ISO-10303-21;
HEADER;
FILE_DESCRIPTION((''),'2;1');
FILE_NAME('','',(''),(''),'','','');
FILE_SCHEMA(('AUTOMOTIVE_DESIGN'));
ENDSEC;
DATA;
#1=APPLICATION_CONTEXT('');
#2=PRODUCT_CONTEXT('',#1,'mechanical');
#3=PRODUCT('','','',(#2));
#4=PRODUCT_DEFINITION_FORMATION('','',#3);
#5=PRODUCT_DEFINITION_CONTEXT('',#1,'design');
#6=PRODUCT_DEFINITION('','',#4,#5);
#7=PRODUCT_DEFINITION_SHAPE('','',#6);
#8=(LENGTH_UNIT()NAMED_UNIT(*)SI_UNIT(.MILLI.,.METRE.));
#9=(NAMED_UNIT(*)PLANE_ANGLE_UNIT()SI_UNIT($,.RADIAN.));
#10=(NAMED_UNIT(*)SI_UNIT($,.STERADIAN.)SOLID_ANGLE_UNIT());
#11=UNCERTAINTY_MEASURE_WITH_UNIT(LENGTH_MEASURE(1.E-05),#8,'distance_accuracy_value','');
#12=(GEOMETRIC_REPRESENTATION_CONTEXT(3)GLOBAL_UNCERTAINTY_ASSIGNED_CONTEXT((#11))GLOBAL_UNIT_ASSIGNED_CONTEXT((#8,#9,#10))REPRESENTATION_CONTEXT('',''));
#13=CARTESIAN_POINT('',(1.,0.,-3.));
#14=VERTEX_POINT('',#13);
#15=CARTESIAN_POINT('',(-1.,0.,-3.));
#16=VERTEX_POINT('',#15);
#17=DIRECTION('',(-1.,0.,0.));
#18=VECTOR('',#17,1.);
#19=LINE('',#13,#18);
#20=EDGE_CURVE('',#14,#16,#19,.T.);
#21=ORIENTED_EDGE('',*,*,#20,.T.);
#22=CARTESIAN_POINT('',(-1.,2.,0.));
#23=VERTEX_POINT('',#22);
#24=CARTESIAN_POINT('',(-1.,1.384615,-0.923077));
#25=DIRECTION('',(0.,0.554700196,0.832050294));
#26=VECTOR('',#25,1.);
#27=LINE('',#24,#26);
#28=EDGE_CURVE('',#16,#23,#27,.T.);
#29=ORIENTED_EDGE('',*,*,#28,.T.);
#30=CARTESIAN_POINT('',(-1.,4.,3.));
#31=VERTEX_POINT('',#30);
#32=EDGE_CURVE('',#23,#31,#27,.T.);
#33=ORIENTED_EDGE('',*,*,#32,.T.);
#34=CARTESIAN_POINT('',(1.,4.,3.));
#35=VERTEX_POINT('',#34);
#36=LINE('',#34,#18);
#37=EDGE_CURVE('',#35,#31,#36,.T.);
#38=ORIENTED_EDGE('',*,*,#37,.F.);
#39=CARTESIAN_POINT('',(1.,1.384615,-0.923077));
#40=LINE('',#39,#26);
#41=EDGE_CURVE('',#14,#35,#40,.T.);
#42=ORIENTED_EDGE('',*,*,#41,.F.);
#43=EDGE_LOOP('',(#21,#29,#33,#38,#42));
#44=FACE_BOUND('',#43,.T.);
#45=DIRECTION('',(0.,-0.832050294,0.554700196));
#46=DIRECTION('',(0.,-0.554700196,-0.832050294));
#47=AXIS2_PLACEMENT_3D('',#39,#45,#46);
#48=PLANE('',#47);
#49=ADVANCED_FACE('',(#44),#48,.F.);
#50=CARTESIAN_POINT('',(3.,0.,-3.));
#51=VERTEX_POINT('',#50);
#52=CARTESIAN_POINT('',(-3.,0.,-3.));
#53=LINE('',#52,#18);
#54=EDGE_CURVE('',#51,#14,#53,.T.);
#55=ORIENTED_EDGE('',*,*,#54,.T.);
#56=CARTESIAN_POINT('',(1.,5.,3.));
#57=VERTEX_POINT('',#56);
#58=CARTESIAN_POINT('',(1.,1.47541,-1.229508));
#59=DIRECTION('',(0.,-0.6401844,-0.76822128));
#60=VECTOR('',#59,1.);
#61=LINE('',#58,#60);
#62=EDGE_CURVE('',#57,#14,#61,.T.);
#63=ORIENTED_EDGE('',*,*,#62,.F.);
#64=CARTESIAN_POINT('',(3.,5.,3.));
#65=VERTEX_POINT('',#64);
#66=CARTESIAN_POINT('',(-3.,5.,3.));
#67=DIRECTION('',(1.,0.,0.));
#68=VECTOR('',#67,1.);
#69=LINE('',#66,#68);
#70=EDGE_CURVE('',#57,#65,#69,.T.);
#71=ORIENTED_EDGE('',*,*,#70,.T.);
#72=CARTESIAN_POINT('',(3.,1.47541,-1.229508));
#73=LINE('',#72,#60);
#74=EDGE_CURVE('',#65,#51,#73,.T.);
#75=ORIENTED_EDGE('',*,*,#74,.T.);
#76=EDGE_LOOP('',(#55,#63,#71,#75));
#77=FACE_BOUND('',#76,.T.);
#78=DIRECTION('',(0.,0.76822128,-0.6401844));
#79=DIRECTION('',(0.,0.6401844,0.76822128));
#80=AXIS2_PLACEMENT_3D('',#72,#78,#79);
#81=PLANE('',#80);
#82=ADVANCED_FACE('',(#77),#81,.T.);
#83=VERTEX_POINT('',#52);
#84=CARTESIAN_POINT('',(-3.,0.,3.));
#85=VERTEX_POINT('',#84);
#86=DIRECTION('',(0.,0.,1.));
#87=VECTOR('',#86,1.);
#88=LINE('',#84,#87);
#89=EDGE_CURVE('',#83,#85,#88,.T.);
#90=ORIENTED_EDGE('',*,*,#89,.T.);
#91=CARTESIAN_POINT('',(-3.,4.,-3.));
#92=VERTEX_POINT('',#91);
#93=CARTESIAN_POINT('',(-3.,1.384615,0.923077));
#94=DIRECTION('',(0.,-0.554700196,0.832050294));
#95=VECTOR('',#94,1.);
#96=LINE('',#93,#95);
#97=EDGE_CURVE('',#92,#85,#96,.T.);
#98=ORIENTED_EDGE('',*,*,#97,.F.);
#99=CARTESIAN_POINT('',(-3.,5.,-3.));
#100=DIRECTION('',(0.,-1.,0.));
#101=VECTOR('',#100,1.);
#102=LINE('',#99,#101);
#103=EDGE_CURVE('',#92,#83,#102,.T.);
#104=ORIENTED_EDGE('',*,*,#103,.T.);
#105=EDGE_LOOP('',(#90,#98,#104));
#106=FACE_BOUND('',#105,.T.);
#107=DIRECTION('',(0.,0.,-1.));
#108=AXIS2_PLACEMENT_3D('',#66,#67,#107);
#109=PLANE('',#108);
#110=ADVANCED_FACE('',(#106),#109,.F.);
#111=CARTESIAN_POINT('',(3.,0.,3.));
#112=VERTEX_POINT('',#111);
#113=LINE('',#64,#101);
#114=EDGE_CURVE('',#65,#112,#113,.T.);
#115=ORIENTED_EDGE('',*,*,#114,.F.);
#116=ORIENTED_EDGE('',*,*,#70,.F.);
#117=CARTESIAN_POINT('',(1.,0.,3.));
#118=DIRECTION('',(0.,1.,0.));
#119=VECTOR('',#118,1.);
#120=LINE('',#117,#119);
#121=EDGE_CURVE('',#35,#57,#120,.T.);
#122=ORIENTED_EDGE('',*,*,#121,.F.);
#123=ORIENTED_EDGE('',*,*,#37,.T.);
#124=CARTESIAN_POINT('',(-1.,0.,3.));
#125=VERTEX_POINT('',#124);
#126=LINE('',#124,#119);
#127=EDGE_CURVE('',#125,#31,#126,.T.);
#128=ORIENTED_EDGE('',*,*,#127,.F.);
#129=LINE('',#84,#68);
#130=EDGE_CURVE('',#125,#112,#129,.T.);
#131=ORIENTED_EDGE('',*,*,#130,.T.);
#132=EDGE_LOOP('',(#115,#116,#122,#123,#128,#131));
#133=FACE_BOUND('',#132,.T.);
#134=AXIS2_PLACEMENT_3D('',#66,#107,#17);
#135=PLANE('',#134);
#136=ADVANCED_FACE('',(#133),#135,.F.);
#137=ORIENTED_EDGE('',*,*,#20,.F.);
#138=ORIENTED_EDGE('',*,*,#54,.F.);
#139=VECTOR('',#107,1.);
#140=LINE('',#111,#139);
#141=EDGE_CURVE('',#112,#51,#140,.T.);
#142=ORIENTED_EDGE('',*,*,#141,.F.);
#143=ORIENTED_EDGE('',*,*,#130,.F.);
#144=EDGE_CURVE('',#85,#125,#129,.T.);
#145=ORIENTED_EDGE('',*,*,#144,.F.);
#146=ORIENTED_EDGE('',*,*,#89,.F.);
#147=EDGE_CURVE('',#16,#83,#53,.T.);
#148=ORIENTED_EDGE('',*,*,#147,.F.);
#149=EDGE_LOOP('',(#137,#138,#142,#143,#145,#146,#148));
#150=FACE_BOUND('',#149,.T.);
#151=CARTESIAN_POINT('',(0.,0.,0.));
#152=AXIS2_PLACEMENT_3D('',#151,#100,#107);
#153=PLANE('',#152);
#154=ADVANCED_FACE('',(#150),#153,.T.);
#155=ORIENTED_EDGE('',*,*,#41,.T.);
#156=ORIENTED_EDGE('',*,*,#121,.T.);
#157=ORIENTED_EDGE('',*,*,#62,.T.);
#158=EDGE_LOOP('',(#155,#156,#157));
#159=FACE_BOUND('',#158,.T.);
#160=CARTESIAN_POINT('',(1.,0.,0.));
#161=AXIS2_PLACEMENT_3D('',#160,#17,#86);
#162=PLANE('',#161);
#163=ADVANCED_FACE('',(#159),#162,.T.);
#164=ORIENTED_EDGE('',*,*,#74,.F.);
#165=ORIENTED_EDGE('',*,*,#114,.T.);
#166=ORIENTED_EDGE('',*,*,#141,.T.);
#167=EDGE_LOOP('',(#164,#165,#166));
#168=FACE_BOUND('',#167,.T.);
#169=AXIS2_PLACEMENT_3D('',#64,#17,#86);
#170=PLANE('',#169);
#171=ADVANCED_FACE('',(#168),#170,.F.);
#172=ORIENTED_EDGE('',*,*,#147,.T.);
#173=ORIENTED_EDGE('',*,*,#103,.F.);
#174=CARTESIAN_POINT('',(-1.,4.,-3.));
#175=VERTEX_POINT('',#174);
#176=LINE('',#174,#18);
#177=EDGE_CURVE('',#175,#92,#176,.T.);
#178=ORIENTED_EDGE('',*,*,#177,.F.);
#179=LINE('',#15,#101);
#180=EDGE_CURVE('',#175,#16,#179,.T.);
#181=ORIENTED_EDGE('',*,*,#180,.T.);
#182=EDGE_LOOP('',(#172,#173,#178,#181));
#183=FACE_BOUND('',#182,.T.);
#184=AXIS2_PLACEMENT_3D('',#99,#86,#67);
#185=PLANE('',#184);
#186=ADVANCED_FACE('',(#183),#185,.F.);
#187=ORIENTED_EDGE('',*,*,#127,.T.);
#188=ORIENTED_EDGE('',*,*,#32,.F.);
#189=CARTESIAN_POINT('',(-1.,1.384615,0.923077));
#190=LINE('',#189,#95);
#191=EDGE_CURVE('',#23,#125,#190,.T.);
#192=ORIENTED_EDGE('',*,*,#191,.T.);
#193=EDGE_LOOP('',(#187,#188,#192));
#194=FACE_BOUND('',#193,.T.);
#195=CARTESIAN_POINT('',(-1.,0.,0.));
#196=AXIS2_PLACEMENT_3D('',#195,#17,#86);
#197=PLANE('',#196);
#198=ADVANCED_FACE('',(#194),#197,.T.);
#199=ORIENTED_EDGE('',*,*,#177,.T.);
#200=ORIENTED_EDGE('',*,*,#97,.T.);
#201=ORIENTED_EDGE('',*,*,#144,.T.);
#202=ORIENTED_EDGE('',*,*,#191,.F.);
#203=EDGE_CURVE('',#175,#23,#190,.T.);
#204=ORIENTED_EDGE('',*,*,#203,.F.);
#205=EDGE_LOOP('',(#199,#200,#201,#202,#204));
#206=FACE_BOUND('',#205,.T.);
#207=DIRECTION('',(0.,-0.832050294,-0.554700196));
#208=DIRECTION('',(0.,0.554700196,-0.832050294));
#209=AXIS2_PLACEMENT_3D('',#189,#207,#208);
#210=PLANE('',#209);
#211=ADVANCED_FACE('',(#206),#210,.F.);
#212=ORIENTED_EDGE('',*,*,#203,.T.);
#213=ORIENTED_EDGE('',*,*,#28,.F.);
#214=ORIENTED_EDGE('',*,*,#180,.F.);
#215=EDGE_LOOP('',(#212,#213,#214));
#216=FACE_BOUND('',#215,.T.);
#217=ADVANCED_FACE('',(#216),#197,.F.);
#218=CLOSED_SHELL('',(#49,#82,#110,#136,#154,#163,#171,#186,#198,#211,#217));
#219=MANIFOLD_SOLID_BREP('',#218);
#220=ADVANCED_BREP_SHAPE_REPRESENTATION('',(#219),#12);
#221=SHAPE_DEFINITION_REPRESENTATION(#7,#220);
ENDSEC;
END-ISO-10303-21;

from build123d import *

# Parameters (mm, degrees)
SKETCH1_W           = 6
SKETCH1_H           = 6
BOSS_EXTRUDE1_DEPTH = 5
CUT_EXTRUDE1_DEPTH  = 2
CUT_EXTRUDE2_DEPTH  = 2
CUT_EXTRUDE3_DEPTH  = 2


with BuildPart() as part:
    # Sketch1 → Boss-Extrude1 (new body)
    with BuildSketch(Plane(origin=(0, 0, 0), x_dir=(1, 0, 0), z_dir=(0, 1, 0))):
        Rectangle(SKETCH1_W, SKETCH1_H)
    extrude(amount=BOSS_EXTRUDE1_DEPTH)

    # Sketch2 → Cut-Extrude1 (cut)
    with BuildSketch(Plane.ZY.offset(3)):
        Polygon((3, 5), (-3, 5), (-3, 4), (3, 0), align=None)
    extrude(amount=-CUT_EXTRUDE1_DEPTH, mode=Mode.SUBTRACT)

    # Sketch3 → Cut-Extrude2 (cut)
    with BuildSketch(Plane.ZY.offset(1)):
        Polygon((-3, 0), (3, 4), (3, 5), (-3, 5), align=None)
    extrude(amount=-CUT_EXTRUDE2_DEPTH, mode=Mode.SUBTRACT)

    # Sketch4 → Cut-Extrude3 (cut)
    with BuildSketch(Plane.ZY.offset(-1)):
        Polygon((-3, 0), (3, 5), (-3, 5), align=None)
    extrude(amount=-CUT_EXTRUDE3_DEPTH, mode=Mode.SUBTRACT)


solid = part.part
